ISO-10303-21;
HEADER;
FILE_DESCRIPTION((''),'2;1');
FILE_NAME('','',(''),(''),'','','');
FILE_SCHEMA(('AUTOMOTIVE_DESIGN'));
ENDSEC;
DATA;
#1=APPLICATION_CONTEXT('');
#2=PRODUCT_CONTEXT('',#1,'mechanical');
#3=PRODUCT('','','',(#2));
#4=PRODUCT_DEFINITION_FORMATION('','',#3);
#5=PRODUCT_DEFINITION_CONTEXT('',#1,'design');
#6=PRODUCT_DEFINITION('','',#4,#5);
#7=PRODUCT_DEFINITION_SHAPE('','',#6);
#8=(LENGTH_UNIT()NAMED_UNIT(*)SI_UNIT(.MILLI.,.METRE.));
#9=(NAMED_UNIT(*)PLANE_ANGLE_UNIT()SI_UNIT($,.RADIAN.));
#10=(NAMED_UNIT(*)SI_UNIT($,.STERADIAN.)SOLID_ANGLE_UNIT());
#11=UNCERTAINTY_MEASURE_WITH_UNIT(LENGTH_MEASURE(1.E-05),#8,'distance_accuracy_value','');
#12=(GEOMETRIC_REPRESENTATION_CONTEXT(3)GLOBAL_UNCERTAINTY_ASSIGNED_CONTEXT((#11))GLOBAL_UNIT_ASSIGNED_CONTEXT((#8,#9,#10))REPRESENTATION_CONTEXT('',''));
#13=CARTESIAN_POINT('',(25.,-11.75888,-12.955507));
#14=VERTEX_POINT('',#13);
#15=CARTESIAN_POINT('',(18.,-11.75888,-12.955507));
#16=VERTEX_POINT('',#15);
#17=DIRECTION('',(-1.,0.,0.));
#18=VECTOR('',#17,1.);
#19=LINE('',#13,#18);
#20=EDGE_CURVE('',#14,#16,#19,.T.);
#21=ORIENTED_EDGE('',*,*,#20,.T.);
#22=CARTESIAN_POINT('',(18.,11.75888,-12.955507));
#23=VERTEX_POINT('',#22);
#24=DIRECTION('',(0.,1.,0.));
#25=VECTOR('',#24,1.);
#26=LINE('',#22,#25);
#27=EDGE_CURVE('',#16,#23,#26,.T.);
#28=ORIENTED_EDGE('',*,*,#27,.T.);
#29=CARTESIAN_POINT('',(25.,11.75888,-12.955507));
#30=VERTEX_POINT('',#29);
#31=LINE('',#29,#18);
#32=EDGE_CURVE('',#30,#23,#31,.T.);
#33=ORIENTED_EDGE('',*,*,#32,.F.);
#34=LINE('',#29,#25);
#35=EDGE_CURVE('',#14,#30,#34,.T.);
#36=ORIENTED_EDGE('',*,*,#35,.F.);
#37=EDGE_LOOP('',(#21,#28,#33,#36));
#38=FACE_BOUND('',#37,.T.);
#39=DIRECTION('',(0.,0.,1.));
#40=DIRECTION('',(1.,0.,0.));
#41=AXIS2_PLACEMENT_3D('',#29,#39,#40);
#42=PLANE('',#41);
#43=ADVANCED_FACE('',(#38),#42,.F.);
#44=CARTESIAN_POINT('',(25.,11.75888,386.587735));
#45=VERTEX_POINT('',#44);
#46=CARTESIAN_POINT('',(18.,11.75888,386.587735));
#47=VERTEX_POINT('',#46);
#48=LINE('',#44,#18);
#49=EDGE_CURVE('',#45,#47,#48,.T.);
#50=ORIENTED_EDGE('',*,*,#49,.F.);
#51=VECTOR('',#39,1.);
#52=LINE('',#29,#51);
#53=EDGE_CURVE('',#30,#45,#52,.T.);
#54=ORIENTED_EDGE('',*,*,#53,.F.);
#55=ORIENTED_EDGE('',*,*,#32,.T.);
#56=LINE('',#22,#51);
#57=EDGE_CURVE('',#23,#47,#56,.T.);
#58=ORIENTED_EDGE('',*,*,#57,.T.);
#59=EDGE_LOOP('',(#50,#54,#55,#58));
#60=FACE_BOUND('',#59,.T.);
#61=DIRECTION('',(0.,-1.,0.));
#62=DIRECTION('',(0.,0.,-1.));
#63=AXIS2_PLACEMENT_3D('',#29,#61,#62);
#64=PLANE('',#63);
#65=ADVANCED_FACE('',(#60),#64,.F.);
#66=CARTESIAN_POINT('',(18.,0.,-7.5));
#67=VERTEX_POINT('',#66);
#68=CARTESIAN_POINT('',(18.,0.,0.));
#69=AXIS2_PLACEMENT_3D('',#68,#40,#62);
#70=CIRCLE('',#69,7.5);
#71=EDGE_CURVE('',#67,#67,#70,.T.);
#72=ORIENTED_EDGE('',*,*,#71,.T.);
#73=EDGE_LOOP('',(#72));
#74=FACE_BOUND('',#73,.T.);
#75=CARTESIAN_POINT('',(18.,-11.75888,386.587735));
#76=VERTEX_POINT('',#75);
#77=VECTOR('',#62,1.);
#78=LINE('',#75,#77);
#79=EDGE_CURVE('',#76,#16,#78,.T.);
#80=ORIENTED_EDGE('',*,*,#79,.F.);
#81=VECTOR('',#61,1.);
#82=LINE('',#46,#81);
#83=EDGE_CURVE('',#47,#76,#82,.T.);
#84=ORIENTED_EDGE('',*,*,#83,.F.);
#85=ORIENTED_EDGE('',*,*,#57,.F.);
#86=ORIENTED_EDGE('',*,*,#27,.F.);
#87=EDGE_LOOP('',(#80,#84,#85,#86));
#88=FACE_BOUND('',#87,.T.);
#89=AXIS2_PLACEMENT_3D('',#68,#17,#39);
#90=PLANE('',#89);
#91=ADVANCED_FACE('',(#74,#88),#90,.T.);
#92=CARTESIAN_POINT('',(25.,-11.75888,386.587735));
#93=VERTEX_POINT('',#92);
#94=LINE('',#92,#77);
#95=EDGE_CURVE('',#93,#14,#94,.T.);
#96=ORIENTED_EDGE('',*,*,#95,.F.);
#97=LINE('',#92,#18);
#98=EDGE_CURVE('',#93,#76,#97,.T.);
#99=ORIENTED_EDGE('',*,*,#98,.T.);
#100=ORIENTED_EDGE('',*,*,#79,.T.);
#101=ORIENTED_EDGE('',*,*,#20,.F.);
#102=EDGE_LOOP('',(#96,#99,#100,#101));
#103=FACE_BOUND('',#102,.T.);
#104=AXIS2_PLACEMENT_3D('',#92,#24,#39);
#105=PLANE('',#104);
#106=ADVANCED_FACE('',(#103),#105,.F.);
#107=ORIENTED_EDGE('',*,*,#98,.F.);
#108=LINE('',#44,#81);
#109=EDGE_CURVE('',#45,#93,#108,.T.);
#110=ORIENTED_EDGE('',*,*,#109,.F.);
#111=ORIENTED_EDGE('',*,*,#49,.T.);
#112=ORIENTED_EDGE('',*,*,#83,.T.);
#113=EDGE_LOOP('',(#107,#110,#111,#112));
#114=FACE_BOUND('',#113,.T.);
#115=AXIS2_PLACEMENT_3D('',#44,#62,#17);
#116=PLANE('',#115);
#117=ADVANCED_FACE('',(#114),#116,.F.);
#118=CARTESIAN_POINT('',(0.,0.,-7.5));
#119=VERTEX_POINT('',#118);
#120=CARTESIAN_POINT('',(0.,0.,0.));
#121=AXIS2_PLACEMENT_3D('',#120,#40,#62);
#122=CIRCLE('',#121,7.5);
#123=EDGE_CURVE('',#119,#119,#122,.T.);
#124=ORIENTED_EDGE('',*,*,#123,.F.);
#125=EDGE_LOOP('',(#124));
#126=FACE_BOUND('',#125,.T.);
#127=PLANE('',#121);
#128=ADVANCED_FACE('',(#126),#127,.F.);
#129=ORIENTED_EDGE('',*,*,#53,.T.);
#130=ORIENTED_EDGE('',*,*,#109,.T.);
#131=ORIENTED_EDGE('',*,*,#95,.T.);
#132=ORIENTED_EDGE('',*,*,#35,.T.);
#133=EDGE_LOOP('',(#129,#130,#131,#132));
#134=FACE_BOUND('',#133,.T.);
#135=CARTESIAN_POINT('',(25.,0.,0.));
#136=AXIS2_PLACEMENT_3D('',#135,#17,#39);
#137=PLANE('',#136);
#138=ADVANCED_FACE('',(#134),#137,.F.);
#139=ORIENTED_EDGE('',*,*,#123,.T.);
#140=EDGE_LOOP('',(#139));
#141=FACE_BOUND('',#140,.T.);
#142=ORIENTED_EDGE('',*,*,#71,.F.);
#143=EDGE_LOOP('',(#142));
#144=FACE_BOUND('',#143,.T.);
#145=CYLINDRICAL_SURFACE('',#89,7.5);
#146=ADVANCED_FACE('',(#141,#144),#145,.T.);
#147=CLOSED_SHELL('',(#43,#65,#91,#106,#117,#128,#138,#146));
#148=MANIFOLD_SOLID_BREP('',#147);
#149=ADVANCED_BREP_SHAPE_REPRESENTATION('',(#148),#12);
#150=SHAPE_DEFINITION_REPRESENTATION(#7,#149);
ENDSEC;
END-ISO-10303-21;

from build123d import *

# Parameters (mm, degrees)
SKETCH1_R           = 7.5
BOSS_EXTRUDE1_DEPTH = 18
SKETCH2_W           = 399.543241252
SKETCH2_H           = 23.51775922
BOSS_EXTRUDE2_DEPTH = 7


with BuildPart() as part:
    # Sketch1 → Boss-Extrude1 (new body)
    with BuildSketch(Plane(origin=(0, 0, 0), x_dir=(0, 0, -1), z_dir=(1, 0, 0))):
        Circle(SKETCH1_R)
    extrude(amount=BOSS_EXTRUDE1_DEPTH)

    # Sketch2 → Boss-Extrude2 (add)
    with BuildSketch(Plane(origin=(18, 0, 0), x_dir=(0, 0, -1), z_dir=(1, 0, 0))):
        with Locations((-186.816113962, 0)):
            Rectangle(SKETCH2_W, SKETCH2_H)
    extrude(amount=BOSS_EXTRUDE2_DEPTH)


solid = part.part
